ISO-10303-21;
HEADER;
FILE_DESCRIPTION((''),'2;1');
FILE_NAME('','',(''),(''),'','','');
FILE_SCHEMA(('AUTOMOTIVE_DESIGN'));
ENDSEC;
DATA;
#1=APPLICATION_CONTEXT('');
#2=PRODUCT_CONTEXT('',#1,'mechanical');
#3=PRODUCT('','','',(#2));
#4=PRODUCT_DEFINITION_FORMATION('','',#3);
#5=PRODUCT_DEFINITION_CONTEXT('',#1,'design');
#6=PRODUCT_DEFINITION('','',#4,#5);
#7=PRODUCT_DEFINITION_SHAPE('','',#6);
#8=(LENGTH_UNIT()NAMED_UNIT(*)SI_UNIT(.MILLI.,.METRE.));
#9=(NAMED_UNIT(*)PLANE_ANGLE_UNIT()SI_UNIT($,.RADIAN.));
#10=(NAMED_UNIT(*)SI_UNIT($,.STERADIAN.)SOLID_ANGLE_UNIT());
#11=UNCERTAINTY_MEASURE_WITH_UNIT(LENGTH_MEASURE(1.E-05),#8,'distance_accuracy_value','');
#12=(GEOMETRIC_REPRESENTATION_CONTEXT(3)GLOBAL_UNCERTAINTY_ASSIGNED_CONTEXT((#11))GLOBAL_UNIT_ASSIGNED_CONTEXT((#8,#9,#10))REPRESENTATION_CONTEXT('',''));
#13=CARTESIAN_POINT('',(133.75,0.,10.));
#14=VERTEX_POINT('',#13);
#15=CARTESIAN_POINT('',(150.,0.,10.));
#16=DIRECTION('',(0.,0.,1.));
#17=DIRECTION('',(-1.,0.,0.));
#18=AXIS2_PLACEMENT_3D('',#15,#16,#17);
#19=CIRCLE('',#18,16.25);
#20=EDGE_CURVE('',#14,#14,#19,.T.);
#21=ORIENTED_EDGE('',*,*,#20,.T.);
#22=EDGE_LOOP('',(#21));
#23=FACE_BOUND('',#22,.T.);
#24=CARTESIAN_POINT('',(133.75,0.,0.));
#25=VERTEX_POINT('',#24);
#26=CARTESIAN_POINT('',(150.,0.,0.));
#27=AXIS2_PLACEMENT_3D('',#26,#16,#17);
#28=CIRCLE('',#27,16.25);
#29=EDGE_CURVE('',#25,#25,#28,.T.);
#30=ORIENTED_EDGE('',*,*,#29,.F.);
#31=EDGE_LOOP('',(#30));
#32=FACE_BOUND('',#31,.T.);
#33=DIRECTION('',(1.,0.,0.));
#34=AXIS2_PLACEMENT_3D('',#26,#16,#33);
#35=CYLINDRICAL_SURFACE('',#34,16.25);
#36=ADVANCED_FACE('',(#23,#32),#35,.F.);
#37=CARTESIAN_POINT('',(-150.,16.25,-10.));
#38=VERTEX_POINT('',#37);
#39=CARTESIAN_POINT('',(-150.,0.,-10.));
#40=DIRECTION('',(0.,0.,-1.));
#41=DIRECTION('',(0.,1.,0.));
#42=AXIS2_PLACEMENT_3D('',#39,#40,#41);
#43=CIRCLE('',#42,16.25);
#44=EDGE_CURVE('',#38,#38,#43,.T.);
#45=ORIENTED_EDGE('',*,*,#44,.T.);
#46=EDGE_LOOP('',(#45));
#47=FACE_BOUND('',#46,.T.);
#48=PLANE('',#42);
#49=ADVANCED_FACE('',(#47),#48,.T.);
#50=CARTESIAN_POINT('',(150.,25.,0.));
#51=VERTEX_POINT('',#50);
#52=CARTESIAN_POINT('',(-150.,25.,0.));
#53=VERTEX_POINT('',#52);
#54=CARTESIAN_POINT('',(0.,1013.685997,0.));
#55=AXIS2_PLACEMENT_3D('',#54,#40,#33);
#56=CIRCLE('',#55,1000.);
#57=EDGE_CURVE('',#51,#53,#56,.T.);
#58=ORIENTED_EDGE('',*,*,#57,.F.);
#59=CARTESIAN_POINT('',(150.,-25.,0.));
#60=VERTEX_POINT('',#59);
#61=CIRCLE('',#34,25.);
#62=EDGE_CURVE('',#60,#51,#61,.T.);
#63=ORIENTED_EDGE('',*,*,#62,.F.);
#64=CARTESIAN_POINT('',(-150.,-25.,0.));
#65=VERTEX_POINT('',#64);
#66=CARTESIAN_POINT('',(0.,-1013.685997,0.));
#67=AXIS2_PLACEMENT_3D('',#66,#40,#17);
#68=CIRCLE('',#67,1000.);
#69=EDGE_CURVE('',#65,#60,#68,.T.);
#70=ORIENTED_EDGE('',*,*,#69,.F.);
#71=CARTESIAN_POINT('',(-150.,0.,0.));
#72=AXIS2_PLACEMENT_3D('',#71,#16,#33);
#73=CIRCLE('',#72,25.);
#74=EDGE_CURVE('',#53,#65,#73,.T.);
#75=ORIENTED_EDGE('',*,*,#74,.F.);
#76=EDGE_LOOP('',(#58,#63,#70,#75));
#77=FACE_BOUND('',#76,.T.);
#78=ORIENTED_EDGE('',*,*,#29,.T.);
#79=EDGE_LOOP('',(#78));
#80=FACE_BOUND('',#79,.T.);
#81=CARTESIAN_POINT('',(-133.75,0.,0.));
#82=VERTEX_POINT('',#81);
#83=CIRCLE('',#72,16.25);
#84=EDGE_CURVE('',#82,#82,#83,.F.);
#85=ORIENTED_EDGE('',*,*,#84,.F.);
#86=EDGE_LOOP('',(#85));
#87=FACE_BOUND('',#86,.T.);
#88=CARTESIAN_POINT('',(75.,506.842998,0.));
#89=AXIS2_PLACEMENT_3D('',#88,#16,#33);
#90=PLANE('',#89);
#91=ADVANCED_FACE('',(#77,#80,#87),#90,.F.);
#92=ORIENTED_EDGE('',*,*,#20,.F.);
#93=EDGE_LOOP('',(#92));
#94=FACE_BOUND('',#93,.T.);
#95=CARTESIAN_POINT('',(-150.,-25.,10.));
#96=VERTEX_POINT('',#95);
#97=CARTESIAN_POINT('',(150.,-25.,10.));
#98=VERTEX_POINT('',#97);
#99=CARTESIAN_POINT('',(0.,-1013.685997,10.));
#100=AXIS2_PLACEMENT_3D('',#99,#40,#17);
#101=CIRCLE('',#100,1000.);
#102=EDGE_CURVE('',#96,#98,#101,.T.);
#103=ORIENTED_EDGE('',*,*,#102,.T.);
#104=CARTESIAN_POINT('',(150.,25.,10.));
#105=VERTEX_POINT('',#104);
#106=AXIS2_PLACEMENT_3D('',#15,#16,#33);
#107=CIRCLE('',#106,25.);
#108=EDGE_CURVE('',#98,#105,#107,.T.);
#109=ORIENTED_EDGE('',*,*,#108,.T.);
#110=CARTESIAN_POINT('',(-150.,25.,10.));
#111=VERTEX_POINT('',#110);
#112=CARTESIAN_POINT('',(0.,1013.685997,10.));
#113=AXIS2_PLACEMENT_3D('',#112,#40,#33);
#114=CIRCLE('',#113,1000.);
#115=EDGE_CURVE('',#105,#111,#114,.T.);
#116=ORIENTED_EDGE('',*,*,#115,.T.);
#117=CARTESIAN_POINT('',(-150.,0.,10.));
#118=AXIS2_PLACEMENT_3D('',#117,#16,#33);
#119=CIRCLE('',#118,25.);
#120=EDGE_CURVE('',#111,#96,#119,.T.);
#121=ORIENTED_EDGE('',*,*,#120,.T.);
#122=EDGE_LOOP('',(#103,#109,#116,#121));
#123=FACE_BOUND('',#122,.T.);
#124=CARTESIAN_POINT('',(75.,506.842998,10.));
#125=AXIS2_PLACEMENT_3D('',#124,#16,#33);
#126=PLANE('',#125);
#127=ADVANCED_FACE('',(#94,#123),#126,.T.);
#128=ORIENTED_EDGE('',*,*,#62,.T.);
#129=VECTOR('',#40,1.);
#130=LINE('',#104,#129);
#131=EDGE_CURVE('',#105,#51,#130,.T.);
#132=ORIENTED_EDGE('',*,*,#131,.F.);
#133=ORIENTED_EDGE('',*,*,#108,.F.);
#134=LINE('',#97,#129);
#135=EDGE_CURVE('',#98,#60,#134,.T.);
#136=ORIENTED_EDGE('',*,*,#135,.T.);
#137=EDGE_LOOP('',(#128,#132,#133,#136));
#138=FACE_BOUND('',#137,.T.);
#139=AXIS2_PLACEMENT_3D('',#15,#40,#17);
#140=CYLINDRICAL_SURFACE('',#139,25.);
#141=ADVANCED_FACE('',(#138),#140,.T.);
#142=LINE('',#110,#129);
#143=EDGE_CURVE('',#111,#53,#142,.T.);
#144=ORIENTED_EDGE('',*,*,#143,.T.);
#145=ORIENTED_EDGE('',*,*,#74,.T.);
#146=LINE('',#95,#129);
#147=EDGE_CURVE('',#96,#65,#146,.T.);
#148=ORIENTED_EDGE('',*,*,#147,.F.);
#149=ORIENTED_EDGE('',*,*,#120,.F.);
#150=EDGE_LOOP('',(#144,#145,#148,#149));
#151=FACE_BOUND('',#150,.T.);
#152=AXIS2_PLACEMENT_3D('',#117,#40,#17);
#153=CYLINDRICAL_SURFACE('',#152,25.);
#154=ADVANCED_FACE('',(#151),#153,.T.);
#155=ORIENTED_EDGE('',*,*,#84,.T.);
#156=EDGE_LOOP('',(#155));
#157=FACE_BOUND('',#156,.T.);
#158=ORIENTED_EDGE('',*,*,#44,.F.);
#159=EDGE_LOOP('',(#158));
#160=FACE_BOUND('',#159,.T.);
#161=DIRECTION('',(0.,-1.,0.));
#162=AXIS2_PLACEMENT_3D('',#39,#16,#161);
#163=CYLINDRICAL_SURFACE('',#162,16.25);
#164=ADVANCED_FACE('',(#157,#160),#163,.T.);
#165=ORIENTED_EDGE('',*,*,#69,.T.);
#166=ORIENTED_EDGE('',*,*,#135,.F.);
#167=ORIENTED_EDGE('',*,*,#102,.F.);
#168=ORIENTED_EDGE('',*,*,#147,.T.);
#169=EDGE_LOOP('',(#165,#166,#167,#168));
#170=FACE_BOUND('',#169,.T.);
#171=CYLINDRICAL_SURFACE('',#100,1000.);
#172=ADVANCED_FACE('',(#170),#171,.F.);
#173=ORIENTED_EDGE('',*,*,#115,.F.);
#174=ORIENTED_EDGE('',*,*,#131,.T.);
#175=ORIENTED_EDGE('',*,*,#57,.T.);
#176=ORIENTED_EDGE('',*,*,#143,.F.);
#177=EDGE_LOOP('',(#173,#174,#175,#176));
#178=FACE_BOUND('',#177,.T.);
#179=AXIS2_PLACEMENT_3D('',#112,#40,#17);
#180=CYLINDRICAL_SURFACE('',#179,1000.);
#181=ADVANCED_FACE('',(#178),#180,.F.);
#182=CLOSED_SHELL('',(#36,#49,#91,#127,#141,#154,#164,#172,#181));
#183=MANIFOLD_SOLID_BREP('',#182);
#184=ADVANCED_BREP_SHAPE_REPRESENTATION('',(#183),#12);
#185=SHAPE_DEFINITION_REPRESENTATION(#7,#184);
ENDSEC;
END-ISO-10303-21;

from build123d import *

# Parameters (mm, degrees)
BOSS_EXTRUDE1_DEPTH = 10
SKETCH2_R           = 16.25
BOSS_EXTRUDE2_DEPTH = 10
SKETCH3_R           = 16.25
CUT_EXTRUDE4_DEPTH  = 10


with BuildPart() as part:
    # Sketch1 → Boss-Extrude1 (new body)
    with BuildSketch(Plane.XY):
        with BuildLine():
            ThreePointArc((-150, 25), (-175, 0), (-150, -25))
            ThreePointArc((-150, -25), (0, -13.685996664), (150, -25))
            ThreePointArc((150, -25), (175, 0), (150, 25))
            ThreePointArc((150, 25), (0, 13.685996664), (-150, 25))
        make_face()
    extrude(amount=BOSS_EXTRUDE1_DEPTH)

    # Sketch2 → Boss-Extrude2 (add)
    with BuildSketch(Plane(origin=(0, 0, 0), x_dir=(1, 0, 0), z_dir=(0, 0, -1))):
        with Locations((-150, 0)):
            Circle(SKETCH2_R)
    extrude(amount=BOSS_EXTRUDE2_DEPTH)

    # Sketch3 → Cut-Extrude4 (cut)
    with BuildSketch(Plane.XY.offset(10)):
        with Locations((150, 0)):
            Circle(SKETCH3_R)
    extrude(amount=-CUT_EXTRUDE4_DEPTH, mode=Mode.SUBTRACT)


solid = part.part
